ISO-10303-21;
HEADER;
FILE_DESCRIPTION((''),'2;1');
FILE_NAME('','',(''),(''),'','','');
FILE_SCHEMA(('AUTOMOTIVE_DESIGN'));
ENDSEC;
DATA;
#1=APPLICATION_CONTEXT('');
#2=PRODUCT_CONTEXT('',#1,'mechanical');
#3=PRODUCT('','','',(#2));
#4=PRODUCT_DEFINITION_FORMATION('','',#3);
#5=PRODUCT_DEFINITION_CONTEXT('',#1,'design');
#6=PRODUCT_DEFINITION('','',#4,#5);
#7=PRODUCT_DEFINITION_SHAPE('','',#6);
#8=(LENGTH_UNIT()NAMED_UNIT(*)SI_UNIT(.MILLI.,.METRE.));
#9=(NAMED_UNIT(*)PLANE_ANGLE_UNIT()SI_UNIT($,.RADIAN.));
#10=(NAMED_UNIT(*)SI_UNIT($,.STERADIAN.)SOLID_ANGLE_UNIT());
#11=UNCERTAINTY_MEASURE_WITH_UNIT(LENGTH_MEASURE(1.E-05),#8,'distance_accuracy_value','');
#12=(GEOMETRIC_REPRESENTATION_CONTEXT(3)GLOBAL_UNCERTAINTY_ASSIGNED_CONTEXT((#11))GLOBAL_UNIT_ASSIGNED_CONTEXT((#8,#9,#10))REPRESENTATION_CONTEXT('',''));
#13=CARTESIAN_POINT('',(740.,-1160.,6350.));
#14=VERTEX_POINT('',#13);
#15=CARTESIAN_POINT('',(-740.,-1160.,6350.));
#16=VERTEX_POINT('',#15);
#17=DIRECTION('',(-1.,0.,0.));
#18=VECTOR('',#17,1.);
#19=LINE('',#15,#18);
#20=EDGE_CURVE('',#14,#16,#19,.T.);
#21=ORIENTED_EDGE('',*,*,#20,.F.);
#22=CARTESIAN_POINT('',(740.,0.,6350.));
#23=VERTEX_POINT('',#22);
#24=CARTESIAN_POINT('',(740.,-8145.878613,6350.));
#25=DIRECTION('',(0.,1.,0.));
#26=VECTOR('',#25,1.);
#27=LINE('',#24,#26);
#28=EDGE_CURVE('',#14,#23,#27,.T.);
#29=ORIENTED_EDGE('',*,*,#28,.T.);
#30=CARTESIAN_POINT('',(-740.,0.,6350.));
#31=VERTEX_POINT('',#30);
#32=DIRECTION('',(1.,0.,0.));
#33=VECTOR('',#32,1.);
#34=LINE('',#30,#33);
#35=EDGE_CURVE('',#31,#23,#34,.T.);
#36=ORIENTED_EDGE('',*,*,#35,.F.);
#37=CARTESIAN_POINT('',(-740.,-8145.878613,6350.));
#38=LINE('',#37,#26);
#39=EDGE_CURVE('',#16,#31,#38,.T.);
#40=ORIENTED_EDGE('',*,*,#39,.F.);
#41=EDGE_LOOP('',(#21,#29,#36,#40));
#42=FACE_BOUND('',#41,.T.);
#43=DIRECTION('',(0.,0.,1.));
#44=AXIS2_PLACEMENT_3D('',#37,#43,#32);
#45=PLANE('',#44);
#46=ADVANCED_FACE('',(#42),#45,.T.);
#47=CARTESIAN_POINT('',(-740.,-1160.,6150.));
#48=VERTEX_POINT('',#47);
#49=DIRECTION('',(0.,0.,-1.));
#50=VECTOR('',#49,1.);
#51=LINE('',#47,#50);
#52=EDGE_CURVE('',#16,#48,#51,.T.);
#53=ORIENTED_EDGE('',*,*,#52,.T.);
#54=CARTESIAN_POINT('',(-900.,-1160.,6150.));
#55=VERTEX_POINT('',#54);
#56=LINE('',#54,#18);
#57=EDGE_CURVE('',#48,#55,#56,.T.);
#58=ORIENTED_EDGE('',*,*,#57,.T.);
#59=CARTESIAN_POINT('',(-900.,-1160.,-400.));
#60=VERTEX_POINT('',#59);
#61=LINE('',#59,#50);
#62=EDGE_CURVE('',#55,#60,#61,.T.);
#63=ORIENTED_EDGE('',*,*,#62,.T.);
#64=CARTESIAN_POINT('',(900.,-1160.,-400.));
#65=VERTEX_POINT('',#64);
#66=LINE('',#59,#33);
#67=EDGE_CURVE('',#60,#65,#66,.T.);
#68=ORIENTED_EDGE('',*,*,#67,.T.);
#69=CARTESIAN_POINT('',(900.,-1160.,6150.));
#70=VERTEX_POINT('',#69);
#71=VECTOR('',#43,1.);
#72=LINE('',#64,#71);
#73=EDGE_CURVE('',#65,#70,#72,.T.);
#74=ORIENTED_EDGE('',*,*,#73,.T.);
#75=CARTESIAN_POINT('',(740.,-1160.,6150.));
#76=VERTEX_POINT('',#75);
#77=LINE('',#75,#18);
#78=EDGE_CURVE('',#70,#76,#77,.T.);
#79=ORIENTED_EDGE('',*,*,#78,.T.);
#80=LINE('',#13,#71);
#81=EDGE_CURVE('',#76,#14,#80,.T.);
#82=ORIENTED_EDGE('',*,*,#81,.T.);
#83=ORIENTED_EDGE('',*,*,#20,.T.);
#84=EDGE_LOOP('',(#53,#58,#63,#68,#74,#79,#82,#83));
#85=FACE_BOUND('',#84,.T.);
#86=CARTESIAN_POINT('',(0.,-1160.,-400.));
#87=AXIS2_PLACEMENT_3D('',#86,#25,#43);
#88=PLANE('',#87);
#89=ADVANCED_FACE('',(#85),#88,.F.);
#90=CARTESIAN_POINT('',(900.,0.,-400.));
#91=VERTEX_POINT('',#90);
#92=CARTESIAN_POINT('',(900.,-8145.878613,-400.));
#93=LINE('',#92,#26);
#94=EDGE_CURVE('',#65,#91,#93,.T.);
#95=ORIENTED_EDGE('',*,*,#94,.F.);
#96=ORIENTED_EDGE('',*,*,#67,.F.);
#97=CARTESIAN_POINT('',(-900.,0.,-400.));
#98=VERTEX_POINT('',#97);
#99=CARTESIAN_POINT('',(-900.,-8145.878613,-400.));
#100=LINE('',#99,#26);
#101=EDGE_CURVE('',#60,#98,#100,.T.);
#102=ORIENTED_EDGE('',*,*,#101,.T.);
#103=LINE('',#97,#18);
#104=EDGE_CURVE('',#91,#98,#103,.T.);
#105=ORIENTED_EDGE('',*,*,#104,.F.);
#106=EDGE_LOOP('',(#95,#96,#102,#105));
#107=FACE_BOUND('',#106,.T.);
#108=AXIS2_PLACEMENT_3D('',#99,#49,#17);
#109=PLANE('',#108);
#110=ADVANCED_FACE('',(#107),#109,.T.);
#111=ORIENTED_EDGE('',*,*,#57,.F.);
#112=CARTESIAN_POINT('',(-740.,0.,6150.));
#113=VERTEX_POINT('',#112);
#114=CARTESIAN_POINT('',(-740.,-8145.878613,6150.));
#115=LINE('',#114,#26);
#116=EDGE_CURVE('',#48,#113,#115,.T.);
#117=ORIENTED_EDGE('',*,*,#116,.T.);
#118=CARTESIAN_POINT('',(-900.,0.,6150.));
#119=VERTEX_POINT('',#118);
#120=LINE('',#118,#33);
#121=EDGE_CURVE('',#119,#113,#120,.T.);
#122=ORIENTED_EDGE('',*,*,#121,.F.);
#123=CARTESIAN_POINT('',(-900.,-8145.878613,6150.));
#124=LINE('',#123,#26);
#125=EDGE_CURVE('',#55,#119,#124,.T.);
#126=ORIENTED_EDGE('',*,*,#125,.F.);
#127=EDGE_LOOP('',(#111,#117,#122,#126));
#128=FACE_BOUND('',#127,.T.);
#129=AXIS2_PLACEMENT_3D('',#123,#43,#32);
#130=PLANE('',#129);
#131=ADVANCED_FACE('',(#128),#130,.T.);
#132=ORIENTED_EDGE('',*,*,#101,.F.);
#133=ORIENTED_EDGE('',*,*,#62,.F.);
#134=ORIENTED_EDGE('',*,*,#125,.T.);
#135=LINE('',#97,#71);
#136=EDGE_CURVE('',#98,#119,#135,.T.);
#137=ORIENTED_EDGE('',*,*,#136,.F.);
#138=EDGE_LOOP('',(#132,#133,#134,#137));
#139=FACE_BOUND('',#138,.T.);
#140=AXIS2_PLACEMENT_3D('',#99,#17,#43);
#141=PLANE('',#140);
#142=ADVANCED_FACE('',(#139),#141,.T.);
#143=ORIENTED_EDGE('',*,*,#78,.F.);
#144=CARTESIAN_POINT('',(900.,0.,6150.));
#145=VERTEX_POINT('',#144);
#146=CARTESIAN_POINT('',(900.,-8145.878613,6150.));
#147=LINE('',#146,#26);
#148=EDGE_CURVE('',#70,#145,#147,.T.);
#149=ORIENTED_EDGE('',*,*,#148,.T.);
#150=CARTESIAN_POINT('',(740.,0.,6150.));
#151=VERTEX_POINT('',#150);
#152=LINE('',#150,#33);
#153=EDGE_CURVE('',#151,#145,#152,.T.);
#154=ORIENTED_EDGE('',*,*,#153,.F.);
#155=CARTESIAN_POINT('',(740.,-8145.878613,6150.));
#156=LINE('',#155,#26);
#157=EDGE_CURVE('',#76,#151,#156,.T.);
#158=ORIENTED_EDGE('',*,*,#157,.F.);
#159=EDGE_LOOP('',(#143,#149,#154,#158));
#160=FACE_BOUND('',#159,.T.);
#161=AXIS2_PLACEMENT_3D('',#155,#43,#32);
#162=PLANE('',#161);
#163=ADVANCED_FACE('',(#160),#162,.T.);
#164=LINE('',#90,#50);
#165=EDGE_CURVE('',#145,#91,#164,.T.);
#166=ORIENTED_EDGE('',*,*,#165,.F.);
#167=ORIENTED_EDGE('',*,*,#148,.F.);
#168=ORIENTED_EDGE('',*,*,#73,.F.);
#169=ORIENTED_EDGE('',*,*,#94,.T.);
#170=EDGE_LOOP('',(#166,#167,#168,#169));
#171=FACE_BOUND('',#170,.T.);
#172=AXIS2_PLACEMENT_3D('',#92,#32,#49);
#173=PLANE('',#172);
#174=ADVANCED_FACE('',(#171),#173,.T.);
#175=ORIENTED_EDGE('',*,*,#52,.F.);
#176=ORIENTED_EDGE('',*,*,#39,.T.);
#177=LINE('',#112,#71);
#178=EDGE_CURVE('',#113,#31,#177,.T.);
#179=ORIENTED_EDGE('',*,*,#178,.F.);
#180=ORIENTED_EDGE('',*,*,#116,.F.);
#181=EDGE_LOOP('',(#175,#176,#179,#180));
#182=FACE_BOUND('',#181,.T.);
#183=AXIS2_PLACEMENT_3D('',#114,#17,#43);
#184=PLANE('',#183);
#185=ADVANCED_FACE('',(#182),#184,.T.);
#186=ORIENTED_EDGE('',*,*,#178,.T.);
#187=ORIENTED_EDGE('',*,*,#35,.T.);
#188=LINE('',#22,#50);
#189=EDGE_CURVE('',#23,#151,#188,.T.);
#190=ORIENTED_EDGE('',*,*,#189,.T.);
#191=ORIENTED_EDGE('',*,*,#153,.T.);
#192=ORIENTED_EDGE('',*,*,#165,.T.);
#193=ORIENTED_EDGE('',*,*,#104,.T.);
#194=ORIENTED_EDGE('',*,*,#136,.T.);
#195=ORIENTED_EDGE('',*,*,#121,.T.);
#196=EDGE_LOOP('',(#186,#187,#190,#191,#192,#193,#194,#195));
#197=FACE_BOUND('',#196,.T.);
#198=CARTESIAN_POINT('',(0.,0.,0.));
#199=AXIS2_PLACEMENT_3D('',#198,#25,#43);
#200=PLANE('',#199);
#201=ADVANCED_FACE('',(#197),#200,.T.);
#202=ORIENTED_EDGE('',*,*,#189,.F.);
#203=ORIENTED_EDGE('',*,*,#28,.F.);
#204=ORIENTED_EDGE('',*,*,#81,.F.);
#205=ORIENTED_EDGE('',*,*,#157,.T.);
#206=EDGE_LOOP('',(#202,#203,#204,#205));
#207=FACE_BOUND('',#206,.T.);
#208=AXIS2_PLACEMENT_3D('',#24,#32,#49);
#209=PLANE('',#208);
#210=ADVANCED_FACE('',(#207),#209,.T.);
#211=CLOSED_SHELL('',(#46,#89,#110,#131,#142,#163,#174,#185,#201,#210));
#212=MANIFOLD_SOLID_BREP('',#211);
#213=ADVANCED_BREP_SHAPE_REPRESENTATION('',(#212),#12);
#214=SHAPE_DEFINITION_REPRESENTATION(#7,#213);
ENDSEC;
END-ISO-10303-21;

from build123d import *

# Parameters (mm, degrees)
EXTRUDE_1_DEPTH = 1160


with BuildPart() as part:
    # Эскиз1 → Бобышка-Вытянуть1 (new body)
    with BuildSketch(Plane(origin=(0, 0, 0), x_dir=(1, 0, 0), z_dir=(0, 1, 0))):
        Polygon((-740, -6150), (-740, -6350), (740, -6350), (740, -6150), (900, -6150), (900, 400), (-900, 400), (-900, -6150), align=None)
    extrude(amount=-EXTRUDE_1_DEPTH)


solid = part.part
